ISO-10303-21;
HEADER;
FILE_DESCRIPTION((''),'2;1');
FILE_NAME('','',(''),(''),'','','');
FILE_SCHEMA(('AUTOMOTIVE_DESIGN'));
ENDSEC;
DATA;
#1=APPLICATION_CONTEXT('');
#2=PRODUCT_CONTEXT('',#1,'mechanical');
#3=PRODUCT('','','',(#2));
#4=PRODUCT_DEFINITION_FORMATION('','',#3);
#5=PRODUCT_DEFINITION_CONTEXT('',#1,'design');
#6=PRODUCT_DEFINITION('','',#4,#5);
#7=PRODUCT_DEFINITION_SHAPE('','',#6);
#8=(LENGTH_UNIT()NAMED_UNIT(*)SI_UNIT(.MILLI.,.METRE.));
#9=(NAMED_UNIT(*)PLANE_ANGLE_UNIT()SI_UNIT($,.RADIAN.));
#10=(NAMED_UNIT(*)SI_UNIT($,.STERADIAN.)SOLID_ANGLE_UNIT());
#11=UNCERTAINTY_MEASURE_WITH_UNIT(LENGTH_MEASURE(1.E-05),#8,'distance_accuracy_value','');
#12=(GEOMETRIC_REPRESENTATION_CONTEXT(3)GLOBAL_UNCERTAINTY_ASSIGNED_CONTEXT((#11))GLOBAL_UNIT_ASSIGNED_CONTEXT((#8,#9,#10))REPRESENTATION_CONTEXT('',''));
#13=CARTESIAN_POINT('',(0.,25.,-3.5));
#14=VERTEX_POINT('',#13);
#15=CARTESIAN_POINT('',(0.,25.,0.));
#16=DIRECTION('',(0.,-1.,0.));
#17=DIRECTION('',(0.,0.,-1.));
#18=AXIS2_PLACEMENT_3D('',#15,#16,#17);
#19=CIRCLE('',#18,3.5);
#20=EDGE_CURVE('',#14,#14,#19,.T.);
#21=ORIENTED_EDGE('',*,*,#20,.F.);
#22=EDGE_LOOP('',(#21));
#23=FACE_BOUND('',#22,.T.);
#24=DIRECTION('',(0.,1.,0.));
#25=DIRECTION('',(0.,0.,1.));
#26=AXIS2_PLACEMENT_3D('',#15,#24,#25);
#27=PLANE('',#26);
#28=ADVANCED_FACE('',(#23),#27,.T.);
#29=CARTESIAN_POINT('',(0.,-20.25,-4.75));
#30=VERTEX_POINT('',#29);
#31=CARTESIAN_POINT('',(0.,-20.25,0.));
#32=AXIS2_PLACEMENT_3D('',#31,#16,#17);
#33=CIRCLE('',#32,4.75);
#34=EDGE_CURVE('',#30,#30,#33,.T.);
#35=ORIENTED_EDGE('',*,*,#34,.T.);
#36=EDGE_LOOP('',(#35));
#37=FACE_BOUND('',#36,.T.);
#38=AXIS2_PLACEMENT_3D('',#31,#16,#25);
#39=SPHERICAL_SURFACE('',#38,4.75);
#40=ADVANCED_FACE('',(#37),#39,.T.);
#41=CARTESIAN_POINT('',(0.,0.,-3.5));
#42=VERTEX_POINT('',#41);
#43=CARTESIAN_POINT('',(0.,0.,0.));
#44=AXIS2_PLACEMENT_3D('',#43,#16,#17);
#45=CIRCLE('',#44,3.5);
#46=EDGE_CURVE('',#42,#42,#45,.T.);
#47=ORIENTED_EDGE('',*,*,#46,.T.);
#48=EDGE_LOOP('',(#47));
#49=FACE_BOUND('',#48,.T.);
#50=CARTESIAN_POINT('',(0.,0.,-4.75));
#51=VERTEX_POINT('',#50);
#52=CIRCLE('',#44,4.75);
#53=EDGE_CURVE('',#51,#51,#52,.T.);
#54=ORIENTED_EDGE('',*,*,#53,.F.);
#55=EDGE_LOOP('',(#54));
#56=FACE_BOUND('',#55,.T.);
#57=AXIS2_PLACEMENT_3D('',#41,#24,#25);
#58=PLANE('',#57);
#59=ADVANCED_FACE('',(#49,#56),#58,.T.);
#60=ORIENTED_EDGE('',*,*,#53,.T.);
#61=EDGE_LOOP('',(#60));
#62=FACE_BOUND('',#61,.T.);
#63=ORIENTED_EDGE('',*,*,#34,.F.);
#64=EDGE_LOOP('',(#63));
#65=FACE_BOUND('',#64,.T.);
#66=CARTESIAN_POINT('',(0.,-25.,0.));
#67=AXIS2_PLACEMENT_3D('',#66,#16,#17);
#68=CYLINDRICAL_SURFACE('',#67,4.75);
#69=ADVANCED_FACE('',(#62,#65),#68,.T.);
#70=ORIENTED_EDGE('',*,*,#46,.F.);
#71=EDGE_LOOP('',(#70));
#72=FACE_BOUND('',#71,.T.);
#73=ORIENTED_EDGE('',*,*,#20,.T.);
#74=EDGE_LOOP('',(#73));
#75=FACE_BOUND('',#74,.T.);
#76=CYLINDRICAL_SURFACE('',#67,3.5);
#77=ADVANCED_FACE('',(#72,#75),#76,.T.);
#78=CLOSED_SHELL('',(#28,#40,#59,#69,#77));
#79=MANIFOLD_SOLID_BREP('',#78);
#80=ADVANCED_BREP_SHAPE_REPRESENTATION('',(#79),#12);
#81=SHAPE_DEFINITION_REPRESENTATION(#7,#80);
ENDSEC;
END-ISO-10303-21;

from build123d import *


with BuildPart() as part:
    # Sketch1 → Revolve1 (revolve)
    with BuildSketch(Plane(origin=(0, 0, 0), x_dir=(0, 0, -1), z_dir=(1, 0, 0))):
        with BuildLine():
            Line((0, 25), (3.5, 25))
            Line((3.5, 25), (3.5, 0))
            Line((3.5, 0), (4.75, 0))
            Line((4.75, 0), (4.75, -20.25))
            ThreePointArc((4.75, -20.25), (3.358757211, -23.608757211), (0, -25))
            Line((0, -25), (0, 25))
        make_face()
    revolve(axis=Axis((0, -25, 0), (0, 1, 0)))


solid = part.part
